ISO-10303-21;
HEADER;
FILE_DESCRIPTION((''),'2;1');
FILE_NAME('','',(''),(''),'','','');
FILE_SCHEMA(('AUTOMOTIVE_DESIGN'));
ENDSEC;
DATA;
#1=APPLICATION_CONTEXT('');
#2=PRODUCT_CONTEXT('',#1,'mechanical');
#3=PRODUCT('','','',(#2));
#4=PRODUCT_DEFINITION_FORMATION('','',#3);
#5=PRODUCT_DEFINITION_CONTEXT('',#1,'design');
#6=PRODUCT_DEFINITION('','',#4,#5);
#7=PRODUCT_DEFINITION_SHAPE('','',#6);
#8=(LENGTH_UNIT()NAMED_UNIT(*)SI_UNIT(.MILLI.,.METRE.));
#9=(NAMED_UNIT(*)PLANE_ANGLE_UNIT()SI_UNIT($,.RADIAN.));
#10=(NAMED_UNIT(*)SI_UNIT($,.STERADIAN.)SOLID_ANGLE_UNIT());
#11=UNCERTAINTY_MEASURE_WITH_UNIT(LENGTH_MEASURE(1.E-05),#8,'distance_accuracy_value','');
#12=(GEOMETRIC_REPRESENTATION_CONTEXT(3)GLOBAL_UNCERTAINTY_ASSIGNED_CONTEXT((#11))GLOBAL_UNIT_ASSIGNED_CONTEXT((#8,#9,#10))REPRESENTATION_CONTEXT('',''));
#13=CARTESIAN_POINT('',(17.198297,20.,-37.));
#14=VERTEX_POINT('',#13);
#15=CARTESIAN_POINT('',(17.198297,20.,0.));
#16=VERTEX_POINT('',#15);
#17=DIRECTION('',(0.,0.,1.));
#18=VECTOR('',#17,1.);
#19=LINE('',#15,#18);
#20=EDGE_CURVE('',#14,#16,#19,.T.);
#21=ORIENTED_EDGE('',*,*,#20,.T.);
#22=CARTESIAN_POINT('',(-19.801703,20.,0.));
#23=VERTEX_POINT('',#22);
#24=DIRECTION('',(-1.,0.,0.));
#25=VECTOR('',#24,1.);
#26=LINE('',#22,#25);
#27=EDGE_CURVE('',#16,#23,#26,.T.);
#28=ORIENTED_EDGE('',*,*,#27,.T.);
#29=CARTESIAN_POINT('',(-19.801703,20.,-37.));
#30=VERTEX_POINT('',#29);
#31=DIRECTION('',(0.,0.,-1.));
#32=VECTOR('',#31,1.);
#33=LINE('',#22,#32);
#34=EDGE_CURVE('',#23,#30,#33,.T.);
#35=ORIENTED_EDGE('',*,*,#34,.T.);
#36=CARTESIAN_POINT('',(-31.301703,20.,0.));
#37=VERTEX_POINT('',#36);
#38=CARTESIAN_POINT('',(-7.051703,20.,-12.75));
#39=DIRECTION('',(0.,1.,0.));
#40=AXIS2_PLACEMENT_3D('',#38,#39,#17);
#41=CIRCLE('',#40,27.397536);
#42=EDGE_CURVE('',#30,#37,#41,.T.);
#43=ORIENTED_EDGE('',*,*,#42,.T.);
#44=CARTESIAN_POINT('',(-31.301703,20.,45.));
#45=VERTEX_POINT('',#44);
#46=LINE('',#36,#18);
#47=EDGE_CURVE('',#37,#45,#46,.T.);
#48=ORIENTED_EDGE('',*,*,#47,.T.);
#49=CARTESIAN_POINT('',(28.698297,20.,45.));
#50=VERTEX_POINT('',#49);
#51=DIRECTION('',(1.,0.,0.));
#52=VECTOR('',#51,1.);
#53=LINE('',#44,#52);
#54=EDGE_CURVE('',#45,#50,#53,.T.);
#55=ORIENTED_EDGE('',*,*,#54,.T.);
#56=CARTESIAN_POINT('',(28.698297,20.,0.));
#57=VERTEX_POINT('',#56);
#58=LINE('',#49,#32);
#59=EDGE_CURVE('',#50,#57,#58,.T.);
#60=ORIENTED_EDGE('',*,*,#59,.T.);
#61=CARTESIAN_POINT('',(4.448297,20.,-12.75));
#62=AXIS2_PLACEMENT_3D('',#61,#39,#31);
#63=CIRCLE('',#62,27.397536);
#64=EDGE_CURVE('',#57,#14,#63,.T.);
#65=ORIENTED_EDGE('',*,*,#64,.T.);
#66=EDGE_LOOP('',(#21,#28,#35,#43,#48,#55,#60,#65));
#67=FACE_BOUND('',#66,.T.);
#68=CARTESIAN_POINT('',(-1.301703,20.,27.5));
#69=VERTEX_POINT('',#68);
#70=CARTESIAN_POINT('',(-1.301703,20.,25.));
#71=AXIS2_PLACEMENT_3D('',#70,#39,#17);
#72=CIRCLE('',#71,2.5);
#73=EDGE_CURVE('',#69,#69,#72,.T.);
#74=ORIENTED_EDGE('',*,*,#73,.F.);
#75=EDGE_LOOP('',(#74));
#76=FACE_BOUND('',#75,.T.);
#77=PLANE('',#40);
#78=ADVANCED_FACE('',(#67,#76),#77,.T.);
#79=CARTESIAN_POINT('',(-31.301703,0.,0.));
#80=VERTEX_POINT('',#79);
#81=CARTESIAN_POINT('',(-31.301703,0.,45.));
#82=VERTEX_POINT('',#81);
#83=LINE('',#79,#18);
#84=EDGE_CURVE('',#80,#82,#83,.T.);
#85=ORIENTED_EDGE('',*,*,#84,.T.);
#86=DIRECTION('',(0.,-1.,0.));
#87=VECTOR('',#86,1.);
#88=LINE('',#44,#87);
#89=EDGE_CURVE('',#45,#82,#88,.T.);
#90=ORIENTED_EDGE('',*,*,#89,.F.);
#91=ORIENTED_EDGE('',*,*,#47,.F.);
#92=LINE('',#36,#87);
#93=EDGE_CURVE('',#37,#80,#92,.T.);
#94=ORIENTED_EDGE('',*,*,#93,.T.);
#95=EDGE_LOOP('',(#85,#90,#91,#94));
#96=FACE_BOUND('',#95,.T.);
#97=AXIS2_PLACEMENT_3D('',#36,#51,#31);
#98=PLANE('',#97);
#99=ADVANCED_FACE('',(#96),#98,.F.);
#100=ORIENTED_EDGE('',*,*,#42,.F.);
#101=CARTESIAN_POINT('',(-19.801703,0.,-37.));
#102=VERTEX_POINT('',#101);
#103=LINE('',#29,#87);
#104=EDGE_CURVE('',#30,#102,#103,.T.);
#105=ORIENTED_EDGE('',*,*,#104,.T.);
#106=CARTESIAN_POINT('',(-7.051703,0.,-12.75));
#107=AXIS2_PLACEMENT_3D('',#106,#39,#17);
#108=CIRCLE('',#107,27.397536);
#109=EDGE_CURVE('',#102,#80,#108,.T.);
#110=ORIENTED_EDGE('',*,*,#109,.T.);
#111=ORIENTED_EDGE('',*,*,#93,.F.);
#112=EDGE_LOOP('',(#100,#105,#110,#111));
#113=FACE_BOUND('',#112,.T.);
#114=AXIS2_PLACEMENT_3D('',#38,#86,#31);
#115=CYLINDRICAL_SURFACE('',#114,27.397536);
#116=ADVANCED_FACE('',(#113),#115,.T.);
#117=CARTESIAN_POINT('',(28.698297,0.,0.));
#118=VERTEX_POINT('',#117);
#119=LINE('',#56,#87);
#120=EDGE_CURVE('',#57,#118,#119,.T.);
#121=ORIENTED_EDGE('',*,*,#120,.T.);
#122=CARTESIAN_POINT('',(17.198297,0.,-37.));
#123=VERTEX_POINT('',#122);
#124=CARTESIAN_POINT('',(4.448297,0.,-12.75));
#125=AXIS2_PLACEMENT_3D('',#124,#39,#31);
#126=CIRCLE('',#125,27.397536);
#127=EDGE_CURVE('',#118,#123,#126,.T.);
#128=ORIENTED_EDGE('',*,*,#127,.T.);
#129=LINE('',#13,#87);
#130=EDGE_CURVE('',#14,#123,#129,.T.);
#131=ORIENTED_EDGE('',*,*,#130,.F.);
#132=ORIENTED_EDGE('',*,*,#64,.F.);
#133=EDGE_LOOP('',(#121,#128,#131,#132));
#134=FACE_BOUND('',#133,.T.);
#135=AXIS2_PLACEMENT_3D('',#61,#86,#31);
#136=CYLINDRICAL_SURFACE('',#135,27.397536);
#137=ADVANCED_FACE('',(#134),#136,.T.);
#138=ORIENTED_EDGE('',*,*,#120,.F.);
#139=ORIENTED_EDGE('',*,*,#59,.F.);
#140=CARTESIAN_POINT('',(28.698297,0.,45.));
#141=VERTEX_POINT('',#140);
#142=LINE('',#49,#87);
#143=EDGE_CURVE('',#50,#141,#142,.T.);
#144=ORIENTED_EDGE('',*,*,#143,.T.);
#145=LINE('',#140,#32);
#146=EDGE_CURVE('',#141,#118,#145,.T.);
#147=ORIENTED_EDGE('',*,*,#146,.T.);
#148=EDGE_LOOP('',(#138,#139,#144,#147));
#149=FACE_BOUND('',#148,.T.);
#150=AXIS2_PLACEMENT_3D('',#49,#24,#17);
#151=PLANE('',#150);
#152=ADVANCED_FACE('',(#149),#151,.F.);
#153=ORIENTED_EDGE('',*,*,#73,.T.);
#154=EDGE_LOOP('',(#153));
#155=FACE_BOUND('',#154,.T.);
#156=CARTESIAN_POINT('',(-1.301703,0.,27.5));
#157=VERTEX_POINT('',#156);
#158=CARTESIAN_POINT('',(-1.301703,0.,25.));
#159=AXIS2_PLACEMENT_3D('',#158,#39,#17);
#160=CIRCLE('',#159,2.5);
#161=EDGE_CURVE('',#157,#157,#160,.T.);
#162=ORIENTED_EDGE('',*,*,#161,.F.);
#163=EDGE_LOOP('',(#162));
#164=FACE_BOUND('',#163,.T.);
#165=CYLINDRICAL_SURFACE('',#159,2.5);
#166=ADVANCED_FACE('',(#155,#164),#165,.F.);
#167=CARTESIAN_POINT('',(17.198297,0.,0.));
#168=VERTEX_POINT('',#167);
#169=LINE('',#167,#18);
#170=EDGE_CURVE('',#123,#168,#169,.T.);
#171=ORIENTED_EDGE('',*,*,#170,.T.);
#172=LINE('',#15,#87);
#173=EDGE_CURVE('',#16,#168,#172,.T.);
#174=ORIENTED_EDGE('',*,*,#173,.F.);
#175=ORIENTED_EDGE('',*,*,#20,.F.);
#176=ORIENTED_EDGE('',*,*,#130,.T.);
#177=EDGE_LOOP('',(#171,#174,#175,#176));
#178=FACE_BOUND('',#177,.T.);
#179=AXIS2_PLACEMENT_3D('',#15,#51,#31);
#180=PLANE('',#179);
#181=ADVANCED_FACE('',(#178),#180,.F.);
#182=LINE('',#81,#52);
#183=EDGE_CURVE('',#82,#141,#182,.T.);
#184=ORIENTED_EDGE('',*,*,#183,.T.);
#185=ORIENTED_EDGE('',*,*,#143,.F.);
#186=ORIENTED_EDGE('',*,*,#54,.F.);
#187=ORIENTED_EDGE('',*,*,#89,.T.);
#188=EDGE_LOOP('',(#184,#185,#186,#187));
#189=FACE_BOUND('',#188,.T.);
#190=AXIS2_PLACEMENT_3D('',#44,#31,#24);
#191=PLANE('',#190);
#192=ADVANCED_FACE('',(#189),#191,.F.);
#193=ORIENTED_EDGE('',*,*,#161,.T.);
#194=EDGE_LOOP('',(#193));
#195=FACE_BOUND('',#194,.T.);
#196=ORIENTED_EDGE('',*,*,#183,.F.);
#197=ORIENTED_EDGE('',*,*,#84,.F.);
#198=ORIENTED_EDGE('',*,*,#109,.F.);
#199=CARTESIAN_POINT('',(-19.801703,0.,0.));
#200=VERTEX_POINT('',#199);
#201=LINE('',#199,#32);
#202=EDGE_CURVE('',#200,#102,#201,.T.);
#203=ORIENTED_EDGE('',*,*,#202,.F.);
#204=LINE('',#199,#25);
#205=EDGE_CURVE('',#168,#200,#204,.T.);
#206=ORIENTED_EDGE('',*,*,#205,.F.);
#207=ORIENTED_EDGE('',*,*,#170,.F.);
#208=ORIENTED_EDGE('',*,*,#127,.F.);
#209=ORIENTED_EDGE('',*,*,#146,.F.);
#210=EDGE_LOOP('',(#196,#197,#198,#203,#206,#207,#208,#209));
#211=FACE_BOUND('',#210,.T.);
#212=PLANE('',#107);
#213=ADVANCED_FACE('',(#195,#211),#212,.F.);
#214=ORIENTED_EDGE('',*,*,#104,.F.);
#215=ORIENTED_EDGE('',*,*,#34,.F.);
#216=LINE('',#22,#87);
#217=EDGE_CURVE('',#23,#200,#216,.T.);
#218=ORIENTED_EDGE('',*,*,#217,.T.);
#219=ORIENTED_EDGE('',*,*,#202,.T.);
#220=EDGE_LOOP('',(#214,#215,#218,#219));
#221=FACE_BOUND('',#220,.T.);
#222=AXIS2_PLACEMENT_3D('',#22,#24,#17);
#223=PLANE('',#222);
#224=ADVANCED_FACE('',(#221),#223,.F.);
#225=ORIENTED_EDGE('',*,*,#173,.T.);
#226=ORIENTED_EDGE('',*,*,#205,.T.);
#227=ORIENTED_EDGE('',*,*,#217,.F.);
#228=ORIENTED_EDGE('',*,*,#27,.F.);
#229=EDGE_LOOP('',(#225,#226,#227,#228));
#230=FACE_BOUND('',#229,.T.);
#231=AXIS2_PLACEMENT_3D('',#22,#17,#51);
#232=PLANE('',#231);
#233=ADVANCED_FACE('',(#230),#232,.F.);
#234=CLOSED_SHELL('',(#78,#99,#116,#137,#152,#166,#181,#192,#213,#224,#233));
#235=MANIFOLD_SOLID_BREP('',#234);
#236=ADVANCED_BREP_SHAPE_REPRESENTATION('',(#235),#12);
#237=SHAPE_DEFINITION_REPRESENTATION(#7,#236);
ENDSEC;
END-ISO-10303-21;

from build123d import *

# Parameters (mm, degrees)
BOSS_EXTRUDE1_DEPTH = 20
SKETCH2_R           = 2.5
CUT_EXTRUDE1_DEPTH  = 20


with BuildPart() as part:
    # Sketch1 → Boss-Extrude1 (new body)
    with BuildSketch(Plane(origin=(0, 0, 0), x_dir=(1, 0, 0), z_dir=(0, 1, 0))):
        with BuildLine():
            Line((-19.801702617, 0), (17.198297383, 0))
            Line((17.198297383, 0), (17.198297383, 37))
            ThreePointArc((17.198297383, 37), (30.611248287, 20.881727984), (28.698297383, 0))
            Line((28.698297383, 0), (28.698297383, -45))
            Line((28.698297383, -45), (-31.301702617, -45))
            Line((-31.301702617, -45), (-31.301702617, 0))
            ThreePointArc((-31.301702617, 0), (-33.214653521, 20.881727984), (-19.801702617, 37))
            Line((-19.801702617, 37), (-19.801702617, 0))
        make_face()
    extrude(amount=BOSS_EXTRUDE1_DEPTH)

    # Sketch2 → Cut-Extrude1 (cut)
    with BuildSketch(Plane(origin=(0, 20, 0), x_dir=(1, 0, 0), z_dir=(0, 1, 0))):
        with Locations(Location((-1.301702617, -25, 0), (0, 0, 270))):
            Circle(SKETCH2_R)
    extrude(amount=-CUT_EXTRUDE1_DEPTH, mode=Mode.SUBTRACT)


solid = part.part
